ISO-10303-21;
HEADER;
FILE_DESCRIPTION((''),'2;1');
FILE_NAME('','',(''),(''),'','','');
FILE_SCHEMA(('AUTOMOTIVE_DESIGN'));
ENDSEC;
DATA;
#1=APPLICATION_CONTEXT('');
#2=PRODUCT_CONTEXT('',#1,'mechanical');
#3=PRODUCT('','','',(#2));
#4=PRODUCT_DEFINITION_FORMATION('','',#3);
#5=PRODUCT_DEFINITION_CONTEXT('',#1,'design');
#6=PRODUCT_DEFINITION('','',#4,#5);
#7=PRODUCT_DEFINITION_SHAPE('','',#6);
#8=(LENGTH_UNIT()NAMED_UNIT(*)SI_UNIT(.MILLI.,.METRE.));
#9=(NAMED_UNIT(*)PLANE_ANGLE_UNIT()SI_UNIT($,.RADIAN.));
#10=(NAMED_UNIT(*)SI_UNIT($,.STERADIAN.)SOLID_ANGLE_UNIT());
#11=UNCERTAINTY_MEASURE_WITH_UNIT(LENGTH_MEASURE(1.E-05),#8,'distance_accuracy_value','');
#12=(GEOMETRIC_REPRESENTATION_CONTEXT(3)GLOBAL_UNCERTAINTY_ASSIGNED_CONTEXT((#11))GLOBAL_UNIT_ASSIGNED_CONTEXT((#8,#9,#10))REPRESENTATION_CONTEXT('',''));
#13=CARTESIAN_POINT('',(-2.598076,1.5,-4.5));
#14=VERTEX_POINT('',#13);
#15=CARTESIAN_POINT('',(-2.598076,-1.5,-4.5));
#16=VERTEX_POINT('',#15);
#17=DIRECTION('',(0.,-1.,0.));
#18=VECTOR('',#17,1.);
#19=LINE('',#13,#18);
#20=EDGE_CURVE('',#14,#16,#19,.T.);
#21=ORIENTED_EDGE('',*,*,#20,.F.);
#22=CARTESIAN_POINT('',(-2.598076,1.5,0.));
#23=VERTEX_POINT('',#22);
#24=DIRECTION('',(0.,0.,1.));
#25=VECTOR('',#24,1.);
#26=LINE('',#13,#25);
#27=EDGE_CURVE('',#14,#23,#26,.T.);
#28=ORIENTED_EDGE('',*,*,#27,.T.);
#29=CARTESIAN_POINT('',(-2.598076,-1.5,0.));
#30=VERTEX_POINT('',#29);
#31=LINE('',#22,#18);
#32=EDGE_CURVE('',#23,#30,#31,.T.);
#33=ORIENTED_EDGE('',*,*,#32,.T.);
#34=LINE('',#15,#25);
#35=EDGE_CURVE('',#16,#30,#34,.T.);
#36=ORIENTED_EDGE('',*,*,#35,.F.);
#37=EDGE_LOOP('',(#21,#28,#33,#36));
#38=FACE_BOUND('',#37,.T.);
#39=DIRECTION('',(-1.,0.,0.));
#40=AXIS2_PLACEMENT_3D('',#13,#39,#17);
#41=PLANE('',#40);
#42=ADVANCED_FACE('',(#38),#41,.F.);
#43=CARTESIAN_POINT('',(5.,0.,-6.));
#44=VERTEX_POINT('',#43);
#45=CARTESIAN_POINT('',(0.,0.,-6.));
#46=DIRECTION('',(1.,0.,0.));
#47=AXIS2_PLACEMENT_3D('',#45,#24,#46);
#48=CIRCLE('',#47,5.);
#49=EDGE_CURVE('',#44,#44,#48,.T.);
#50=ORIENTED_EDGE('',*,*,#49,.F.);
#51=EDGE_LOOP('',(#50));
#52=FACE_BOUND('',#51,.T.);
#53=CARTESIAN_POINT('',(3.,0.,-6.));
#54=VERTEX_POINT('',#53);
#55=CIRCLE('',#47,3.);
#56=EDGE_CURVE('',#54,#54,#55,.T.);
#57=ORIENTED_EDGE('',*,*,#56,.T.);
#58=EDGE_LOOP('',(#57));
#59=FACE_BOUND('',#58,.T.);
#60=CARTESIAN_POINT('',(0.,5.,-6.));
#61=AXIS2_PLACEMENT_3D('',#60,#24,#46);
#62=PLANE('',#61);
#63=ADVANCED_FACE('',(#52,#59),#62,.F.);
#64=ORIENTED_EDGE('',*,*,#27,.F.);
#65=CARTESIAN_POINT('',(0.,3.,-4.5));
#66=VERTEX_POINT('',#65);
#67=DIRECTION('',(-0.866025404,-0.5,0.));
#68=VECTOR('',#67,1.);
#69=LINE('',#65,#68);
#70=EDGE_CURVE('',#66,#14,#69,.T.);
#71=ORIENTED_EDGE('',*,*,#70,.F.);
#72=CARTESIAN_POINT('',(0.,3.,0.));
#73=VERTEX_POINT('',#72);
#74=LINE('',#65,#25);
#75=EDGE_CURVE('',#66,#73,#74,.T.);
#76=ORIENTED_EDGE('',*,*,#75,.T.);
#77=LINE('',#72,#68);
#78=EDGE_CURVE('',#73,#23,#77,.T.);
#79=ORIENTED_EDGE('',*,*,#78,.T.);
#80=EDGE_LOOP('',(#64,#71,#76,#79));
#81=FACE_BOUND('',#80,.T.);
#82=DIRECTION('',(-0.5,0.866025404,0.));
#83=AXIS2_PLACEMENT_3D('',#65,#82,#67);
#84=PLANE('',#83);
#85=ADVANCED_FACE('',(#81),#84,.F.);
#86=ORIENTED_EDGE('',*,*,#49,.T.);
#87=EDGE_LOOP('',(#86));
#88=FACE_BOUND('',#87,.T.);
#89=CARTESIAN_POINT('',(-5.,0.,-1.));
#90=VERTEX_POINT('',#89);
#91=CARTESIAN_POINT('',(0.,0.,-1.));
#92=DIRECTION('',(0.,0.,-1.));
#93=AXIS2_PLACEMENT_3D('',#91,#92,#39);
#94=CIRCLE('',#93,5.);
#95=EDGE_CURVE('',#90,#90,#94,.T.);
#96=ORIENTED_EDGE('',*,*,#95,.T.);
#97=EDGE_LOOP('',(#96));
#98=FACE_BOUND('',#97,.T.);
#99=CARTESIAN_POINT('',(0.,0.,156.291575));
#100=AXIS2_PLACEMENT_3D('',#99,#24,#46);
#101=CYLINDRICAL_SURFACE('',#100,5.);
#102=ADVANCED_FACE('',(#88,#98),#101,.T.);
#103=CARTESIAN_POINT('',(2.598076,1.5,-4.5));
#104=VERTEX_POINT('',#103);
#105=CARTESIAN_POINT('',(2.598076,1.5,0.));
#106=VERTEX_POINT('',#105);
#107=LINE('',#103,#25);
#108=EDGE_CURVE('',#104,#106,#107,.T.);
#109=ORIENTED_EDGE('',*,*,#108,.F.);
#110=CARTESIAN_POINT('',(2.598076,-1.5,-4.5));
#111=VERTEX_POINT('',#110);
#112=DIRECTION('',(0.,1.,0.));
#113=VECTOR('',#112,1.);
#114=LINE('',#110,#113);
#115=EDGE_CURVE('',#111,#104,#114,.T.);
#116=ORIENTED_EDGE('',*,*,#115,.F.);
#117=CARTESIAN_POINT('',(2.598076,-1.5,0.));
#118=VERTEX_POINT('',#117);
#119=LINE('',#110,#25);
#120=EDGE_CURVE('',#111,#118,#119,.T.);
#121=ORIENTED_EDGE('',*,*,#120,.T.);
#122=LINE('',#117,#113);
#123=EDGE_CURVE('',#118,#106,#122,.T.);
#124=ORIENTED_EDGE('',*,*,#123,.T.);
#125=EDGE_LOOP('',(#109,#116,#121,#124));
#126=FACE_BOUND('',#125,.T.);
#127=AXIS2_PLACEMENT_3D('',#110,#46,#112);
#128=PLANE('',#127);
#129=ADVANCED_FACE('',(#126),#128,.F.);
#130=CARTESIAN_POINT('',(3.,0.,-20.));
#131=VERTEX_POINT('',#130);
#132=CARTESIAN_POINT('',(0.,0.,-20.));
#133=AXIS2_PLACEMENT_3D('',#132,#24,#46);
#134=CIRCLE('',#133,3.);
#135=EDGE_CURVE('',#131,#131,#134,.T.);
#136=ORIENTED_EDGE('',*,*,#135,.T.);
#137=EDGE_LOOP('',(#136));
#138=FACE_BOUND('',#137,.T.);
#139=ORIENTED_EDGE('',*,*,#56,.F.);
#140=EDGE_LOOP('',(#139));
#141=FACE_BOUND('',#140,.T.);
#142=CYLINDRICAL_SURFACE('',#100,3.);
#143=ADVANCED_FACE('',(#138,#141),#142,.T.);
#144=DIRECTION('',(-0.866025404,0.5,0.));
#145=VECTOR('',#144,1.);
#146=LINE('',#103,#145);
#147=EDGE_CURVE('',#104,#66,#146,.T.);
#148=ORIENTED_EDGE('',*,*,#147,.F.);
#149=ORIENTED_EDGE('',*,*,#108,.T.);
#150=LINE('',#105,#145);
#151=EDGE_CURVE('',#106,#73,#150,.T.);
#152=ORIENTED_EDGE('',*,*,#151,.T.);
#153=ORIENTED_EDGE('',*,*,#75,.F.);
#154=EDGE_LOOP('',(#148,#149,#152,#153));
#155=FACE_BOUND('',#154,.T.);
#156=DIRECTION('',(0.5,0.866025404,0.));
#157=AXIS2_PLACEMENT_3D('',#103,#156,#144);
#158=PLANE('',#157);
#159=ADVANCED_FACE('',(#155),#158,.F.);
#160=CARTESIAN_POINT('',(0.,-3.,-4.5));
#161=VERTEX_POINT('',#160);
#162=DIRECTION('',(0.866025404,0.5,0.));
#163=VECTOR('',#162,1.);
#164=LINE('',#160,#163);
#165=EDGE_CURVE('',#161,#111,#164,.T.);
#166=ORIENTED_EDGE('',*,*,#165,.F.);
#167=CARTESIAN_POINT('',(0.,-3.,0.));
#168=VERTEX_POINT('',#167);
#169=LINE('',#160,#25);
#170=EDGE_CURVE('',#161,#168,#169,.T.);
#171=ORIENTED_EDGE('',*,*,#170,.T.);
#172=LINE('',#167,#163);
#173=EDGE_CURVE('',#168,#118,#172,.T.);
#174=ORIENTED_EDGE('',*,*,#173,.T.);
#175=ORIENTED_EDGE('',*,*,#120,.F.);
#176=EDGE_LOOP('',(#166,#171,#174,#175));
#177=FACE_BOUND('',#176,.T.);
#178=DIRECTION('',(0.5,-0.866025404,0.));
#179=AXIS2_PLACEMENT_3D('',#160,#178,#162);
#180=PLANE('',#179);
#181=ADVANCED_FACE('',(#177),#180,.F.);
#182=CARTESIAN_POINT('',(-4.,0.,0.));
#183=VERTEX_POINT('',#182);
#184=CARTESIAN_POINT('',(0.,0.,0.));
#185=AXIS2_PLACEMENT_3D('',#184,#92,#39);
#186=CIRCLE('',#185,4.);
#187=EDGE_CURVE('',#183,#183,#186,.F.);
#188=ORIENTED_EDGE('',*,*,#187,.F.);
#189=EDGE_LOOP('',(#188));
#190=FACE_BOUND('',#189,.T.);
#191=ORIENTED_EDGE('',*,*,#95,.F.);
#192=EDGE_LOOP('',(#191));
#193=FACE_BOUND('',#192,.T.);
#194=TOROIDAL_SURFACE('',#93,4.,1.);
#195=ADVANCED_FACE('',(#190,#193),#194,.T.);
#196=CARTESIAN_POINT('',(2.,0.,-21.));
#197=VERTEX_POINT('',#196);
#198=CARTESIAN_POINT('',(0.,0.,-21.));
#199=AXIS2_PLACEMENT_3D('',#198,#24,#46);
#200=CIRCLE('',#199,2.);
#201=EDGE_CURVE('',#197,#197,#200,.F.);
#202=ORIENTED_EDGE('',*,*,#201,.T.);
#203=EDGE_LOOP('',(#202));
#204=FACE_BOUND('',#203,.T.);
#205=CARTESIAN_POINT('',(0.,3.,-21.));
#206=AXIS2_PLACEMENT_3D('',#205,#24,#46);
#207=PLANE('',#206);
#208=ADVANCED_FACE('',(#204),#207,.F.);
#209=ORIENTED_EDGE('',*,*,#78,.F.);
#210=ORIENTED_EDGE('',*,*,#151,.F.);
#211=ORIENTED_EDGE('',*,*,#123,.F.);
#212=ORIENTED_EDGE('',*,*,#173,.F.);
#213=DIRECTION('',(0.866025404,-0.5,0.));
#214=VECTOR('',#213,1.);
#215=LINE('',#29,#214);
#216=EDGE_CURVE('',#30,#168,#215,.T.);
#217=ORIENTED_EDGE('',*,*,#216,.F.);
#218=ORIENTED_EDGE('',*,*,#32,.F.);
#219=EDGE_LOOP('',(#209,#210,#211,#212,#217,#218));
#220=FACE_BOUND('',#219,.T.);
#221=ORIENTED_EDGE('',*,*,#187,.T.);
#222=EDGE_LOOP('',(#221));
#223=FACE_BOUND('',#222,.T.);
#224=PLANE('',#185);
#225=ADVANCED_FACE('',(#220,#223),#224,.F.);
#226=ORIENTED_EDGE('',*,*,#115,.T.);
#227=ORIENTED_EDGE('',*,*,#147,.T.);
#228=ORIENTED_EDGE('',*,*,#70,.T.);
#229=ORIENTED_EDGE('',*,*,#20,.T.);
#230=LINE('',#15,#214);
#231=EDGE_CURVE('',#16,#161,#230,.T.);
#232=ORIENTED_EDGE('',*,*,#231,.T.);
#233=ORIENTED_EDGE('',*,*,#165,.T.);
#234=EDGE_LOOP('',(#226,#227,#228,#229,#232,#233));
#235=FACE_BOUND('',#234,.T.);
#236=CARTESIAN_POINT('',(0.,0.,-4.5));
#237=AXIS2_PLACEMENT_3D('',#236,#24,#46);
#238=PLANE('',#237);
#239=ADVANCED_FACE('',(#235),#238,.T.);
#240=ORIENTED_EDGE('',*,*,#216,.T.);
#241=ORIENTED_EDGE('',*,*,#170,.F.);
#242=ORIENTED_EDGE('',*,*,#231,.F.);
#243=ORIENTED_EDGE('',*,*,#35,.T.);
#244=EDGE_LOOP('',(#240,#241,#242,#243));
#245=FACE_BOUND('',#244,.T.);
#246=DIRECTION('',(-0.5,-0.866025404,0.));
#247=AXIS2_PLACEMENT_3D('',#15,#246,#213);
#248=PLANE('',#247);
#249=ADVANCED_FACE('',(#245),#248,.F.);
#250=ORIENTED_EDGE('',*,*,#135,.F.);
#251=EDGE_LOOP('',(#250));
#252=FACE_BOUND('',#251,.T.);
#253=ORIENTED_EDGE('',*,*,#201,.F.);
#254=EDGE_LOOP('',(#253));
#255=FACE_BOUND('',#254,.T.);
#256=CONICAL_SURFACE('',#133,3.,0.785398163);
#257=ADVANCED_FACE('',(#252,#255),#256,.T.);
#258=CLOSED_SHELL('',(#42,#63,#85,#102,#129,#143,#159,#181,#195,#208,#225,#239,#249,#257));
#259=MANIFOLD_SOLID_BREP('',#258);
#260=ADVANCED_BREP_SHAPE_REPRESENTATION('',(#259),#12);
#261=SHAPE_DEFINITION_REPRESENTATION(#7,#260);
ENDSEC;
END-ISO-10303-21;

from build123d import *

# Parameters (mm, degrees)
FOOTPRINT_DEPTH = 4.5
CHAMFER1_SIZE   = 1
FILLET1_R       = 1


with BuildPart() as part:
    # Sketch1 → Body (revolve)
    with BuildSketch(Plane(origin=(0, 0, 0), x_dir=(0, 0, -1), z_dir=(1, 0, 0)), mode=Mode.PRIVATE) as body_sk:
        Polygon((0, 0), (0, 5), (6, 5), (6, 3), (21, 3), (21, 0), align=None)
    revolve(body_sk.sketch.rotate(Axis((0, 0, 156.291575099), (0, 0, -1)), 90), axis=Axis((0, 0, 156.291575099), (0, 0, -1)))

    # Sketch2 → Footprint (cut)
    with BuildSketch(Plane.XY):
        Polygon((0, 3), (-2.598076211, 1.5), (-2.598076211, -1.5), (0, -3), (2.598076211, -1.5), (2.598076211, 1.5), align=None)
    extrude(amount=-FOOTPRINT_DEPTH, mode=Mode.SUBTRACT)

    # Chamfer1
    chamfer1_edges = [part.edges().sort_by_distance(p)[0] for p in [
        (-3, 0, -21),
    ]]
    chamfer(chamfer1_edges, length=CHAMFER1_SIZE)

    # Fillet1
    fillet1_edges = [part.edges().sort_by_distance(p)[0] for p in [
        (-5, 0, 0),
    ]]
    fillet(fillet1_edges, radius=FILLET1_R)


solid = part.part
